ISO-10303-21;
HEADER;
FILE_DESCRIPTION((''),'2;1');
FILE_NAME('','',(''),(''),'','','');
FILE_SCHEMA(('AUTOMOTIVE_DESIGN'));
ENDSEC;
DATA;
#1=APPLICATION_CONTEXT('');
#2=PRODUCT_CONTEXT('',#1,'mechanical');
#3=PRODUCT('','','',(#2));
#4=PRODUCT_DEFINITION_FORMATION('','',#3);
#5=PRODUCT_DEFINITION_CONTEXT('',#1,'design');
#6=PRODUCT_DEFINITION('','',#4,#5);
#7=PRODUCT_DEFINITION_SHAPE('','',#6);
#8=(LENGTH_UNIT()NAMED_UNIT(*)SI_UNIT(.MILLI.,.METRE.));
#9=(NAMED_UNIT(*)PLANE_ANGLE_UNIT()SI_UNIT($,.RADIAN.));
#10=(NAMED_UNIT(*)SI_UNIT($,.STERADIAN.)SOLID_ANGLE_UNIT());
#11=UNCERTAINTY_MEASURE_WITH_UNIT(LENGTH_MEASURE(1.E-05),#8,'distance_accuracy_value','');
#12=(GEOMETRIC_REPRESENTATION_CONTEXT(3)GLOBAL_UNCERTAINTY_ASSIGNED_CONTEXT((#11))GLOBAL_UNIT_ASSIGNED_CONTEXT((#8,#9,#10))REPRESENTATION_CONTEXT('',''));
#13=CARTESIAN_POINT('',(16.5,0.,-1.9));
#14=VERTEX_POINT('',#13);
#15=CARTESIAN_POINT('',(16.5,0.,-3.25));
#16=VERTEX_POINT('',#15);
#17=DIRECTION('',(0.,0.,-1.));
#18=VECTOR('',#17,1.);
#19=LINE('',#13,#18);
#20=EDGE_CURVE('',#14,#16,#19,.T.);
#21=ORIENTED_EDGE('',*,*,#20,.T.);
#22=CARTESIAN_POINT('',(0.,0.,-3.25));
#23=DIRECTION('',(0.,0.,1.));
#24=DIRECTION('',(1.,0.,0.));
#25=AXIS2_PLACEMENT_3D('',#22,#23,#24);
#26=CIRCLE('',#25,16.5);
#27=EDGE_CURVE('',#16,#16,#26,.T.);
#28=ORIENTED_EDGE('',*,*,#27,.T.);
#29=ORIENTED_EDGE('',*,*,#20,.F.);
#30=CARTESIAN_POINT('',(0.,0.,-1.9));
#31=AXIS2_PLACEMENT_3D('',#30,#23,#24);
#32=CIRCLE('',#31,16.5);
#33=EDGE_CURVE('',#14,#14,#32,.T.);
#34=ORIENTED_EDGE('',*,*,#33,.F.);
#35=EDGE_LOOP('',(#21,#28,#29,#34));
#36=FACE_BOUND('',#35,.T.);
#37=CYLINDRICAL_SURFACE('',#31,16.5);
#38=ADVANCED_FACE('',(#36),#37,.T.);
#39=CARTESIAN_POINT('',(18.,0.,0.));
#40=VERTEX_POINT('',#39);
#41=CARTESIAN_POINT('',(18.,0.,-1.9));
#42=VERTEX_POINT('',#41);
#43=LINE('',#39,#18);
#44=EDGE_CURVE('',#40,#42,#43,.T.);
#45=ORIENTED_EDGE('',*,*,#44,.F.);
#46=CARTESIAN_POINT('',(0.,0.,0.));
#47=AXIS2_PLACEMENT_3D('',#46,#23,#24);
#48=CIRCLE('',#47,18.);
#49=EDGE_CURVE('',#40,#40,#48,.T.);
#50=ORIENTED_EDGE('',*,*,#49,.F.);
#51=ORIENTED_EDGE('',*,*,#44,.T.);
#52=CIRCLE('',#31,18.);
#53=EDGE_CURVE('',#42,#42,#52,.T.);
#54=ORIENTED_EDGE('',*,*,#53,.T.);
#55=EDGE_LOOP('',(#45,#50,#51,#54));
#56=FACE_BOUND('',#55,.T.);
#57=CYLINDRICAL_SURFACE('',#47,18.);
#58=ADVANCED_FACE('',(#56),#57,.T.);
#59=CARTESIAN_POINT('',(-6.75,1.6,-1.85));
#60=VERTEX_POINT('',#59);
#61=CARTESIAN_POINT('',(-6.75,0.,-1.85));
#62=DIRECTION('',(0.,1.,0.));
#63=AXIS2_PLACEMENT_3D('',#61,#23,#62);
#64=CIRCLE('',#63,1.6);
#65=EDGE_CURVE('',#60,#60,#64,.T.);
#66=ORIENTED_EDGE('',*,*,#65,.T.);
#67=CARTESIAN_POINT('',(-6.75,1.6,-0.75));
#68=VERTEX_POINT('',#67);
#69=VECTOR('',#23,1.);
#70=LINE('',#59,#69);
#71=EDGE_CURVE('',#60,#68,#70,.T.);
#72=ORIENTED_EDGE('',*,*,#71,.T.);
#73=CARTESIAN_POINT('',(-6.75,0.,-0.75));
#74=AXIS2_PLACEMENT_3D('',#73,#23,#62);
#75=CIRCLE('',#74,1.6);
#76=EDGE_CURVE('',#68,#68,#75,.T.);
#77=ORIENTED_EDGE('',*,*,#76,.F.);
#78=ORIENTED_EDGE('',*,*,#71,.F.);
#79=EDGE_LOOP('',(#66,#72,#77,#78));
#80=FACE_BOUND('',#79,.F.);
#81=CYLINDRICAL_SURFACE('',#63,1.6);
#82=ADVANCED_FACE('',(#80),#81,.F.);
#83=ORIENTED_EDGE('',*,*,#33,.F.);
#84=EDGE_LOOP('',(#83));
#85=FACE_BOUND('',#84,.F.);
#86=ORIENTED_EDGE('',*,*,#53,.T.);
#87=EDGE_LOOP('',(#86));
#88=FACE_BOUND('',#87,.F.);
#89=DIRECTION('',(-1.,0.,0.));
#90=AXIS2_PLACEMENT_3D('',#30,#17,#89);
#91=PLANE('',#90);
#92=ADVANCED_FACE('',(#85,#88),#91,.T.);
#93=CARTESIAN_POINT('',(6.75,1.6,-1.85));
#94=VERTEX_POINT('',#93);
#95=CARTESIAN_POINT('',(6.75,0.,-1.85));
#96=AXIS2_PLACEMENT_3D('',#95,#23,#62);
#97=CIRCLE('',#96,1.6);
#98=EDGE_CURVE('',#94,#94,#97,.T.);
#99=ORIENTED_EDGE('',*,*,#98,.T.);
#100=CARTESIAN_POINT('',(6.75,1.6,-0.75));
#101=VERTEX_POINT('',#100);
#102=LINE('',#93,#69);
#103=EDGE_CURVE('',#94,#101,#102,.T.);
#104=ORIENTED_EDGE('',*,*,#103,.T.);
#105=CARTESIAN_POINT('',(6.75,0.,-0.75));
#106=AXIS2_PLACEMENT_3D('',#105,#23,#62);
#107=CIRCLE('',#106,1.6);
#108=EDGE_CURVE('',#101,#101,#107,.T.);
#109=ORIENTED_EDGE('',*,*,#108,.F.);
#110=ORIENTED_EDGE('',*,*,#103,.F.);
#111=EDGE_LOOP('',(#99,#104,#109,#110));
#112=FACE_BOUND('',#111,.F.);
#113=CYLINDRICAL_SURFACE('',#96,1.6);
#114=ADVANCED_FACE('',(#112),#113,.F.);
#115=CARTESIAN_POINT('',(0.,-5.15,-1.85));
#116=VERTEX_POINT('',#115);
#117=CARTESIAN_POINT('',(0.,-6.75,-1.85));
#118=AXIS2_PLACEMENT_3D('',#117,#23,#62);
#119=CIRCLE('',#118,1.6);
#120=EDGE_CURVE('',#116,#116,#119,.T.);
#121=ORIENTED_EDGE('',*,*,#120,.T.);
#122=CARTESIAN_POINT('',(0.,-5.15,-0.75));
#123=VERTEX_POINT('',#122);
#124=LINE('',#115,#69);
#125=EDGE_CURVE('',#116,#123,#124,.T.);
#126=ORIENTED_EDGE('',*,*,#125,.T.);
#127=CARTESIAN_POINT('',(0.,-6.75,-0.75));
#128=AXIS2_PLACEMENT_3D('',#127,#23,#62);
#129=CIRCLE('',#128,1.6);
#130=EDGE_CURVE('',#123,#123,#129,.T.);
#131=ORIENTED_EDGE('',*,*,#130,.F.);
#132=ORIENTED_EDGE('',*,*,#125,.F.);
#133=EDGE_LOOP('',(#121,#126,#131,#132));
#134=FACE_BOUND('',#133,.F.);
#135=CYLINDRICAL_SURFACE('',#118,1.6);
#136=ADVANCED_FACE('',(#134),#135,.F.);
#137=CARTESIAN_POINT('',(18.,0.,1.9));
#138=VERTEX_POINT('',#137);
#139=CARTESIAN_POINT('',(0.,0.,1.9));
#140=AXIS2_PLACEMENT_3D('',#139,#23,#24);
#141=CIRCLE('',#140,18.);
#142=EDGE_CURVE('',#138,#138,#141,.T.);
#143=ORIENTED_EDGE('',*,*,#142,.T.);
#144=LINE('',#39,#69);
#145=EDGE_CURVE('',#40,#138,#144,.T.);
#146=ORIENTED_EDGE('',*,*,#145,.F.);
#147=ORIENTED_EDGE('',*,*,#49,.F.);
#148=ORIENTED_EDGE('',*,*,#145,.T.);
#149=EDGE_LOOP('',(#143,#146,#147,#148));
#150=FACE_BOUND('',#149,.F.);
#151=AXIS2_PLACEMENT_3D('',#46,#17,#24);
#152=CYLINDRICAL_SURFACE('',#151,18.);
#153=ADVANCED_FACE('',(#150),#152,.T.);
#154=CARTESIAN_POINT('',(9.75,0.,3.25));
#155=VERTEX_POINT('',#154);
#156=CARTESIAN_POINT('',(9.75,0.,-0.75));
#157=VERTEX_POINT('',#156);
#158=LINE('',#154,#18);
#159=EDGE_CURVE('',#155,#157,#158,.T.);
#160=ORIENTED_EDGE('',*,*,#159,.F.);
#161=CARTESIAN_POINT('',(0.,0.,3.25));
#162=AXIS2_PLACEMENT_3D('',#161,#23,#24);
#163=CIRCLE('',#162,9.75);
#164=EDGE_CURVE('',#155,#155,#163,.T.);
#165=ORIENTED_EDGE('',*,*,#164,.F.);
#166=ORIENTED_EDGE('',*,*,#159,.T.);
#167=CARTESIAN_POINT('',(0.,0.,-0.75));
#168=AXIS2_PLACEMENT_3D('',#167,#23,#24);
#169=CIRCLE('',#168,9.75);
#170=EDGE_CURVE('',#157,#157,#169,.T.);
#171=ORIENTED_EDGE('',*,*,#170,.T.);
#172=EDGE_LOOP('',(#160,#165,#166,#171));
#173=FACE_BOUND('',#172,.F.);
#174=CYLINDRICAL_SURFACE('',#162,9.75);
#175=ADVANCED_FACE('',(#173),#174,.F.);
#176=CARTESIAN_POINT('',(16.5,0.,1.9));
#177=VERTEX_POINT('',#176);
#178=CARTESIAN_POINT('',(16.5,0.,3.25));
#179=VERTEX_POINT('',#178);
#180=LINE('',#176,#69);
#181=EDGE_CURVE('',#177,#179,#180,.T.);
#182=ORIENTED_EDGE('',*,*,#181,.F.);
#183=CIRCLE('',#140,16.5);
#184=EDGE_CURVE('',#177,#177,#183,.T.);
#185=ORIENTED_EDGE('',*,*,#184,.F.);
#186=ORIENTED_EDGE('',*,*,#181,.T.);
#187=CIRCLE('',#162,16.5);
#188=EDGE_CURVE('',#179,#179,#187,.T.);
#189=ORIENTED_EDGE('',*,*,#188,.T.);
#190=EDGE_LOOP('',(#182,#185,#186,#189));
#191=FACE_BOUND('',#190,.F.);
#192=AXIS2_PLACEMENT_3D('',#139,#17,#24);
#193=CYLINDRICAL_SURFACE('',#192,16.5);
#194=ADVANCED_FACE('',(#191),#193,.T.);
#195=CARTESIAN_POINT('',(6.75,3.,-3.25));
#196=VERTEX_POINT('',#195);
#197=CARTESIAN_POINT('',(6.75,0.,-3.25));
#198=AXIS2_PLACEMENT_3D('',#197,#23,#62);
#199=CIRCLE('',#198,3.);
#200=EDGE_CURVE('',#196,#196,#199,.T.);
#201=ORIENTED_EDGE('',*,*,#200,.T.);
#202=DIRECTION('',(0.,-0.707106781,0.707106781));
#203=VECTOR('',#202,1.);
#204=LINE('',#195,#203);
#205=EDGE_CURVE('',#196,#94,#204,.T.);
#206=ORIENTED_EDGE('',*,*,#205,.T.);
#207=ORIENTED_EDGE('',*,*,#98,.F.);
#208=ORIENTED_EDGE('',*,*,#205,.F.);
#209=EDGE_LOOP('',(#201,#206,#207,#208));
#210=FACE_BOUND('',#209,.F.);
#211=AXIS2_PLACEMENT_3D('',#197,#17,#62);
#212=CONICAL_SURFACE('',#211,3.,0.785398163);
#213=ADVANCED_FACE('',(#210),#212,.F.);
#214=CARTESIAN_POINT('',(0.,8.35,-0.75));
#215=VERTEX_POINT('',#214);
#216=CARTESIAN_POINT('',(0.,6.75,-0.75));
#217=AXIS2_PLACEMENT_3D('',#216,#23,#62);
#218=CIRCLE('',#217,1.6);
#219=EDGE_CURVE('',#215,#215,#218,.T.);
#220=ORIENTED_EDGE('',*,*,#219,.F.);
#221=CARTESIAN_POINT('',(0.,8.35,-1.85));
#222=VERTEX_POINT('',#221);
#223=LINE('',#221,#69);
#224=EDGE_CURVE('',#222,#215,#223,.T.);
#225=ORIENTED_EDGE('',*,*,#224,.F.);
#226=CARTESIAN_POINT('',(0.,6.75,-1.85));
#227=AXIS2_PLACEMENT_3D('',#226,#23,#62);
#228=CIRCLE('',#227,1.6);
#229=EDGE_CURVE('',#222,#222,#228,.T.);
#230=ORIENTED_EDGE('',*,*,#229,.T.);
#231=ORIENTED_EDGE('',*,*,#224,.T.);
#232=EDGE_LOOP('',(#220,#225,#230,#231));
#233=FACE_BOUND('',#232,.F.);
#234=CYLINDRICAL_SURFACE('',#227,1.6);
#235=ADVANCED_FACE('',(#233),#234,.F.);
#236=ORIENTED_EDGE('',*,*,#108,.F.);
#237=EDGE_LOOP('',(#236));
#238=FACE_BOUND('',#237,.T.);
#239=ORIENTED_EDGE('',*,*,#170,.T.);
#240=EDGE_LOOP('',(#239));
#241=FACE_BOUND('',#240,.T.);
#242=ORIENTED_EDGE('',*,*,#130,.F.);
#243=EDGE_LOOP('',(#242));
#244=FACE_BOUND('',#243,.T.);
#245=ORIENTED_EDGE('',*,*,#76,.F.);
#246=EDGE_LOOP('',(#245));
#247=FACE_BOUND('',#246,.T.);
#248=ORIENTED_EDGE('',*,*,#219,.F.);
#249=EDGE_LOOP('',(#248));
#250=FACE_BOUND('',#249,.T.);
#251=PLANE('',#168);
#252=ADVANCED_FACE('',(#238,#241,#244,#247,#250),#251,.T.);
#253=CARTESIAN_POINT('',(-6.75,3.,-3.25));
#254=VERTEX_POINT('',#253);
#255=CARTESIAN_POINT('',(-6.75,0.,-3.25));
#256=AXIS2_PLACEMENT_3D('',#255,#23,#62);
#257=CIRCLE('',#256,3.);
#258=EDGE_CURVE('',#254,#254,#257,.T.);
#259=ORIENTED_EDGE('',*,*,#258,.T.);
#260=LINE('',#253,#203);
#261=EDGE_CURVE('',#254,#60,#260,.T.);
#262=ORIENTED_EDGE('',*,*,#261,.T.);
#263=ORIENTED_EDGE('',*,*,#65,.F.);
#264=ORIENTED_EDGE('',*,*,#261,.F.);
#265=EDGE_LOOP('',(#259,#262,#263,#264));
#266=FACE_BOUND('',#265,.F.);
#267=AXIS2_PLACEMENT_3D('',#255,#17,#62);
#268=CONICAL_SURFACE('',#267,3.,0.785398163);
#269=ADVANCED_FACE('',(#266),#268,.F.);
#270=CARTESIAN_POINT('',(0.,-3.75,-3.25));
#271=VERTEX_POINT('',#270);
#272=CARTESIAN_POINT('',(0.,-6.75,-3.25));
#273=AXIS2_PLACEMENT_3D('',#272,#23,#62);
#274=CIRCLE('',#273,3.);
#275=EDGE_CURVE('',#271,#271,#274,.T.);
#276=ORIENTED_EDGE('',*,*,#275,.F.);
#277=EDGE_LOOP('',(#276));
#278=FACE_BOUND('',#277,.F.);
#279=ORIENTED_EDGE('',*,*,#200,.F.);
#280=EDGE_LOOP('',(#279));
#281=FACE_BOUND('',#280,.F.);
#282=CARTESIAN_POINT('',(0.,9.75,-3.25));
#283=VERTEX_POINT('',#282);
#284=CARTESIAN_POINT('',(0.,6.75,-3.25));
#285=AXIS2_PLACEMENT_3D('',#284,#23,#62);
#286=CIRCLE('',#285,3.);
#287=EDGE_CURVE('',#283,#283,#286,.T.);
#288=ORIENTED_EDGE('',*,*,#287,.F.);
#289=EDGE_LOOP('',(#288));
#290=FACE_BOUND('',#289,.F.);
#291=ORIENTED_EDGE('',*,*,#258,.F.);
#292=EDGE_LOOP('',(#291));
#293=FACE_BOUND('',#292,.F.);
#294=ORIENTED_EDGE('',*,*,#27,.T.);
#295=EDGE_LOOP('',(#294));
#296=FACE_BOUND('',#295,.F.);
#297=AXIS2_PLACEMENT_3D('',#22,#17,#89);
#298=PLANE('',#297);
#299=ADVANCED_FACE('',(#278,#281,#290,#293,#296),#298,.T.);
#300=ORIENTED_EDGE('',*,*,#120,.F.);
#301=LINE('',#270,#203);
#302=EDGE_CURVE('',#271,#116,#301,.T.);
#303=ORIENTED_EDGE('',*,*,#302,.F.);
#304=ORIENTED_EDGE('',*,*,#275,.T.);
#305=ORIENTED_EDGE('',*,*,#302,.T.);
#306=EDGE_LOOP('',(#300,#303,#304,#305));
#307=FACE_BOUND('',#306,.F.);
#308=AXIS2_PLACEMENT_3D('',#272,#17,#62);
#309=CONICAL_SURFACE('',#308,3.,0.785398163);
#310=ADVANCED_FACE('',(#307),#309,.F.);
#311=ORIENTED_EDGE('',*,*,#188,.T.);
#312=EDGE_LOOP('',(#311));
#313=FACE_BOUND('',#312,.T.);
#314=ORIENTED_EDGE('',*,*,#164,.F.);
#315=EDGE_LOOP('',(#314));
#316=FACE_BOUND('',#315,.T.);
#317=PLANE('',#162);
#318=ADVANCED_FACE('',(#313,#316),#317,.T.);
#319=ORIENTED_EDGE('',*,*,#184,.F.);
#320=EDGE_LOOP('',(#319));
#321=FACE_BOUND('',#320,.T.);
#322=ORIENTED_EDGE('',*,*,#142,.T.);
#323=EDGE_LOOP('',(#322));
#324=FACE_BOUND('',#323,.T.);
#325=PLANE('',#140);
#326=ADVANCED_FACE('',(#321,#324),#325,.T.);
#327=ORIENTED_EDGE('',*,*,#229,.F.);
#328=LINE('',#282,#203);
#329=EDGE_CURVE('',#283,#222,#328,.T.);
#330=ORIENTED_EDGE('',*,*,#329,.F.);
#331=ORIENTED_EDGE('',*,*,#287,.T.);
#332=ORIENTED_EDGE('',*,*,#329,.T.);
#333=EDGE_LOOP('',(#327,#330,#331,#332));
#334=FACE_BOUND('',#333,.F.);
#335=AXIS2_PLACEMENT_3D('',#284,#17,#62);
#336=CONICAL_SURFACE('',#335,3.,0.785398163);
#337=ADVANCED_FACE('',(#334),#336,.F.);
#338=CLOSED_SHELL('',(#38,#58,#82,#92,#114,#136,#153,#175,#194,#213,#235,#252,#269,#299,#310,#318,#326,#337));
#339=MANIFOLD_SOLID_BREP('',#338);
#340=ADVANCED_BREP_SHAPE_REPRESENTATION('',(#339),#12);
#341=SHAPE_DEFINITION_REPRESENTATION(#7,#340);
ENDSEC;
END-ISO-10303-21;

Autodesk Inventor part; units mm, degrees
ref_plane "YZ Plane" through (0, 0, 0) normal (1, 0, 0) x (0, 1, 0)
ref_plane "XZ Plane" through (0, 0, 0) normal (0, 1, 0) x (-1, 0, 0)
ref_plane "XY Plane" through (0, 0, 0) normal (0, 0, 1) x (1, 0, 0)
sketch "Эскиз6" plane through (0, 0, 0) normal (0, 0, 1) x (1, 0, 0)
  circle A0 centre (0, 0) radius 18
  dimension "d27" = 36
extrude "Выдавливание5" add sketch "Эскиз6" along normal blind 1.9
sketch "Эскиз7" plane through (0, 0, 1.9) normal (0, 0, 1) x (1, 0, 0)
  circle A0 centre (0, 0) radius 16.5
  dimension "d30" = 33
extrude "Выдавливание6" add sketch "Эскиз7" along normal blind 1.35
mirror "Зеркальное отражение1" about plane through (0, 0, 0) normal (0, 0, -1)
sketch "Эскиз8" plane through (0, 0, 3.25) normal (0, 0, 1) x (1, 0, 0)
  circle A0 centre (0, 0) radius 9.75
  dimension "d33" = 19.5
extrude "Выдавливание7" cut sketch "Эскиз8" against normal blind 4
sketch "Эскиз9" plane through (0, 0, -3.25) normal (0, 0, -1) x (-1, 0, 0)
  circle A0 centre (0, 0) radius 9.75 projected
  circle A1 centre (0, 0) radius 6.75 construction
  line L0 (0, -6.75) -> (0, 6.75) construction
  line L1 (-6.75, 0) -> (6.75, 0) construction
  dimension "d44" = 13.5
hole "Отверстие2" at (0, 6.75, -3.25) at (6.75, 0, -3.25) at (-6.75, 0, -3.25) at (0, -6.75, -3.25) direction (0, 0, 1) diameter 3.2 end through all countersink diameter 6 countersink angle 90
properties part number "Колесо D40 под планшайбу"
